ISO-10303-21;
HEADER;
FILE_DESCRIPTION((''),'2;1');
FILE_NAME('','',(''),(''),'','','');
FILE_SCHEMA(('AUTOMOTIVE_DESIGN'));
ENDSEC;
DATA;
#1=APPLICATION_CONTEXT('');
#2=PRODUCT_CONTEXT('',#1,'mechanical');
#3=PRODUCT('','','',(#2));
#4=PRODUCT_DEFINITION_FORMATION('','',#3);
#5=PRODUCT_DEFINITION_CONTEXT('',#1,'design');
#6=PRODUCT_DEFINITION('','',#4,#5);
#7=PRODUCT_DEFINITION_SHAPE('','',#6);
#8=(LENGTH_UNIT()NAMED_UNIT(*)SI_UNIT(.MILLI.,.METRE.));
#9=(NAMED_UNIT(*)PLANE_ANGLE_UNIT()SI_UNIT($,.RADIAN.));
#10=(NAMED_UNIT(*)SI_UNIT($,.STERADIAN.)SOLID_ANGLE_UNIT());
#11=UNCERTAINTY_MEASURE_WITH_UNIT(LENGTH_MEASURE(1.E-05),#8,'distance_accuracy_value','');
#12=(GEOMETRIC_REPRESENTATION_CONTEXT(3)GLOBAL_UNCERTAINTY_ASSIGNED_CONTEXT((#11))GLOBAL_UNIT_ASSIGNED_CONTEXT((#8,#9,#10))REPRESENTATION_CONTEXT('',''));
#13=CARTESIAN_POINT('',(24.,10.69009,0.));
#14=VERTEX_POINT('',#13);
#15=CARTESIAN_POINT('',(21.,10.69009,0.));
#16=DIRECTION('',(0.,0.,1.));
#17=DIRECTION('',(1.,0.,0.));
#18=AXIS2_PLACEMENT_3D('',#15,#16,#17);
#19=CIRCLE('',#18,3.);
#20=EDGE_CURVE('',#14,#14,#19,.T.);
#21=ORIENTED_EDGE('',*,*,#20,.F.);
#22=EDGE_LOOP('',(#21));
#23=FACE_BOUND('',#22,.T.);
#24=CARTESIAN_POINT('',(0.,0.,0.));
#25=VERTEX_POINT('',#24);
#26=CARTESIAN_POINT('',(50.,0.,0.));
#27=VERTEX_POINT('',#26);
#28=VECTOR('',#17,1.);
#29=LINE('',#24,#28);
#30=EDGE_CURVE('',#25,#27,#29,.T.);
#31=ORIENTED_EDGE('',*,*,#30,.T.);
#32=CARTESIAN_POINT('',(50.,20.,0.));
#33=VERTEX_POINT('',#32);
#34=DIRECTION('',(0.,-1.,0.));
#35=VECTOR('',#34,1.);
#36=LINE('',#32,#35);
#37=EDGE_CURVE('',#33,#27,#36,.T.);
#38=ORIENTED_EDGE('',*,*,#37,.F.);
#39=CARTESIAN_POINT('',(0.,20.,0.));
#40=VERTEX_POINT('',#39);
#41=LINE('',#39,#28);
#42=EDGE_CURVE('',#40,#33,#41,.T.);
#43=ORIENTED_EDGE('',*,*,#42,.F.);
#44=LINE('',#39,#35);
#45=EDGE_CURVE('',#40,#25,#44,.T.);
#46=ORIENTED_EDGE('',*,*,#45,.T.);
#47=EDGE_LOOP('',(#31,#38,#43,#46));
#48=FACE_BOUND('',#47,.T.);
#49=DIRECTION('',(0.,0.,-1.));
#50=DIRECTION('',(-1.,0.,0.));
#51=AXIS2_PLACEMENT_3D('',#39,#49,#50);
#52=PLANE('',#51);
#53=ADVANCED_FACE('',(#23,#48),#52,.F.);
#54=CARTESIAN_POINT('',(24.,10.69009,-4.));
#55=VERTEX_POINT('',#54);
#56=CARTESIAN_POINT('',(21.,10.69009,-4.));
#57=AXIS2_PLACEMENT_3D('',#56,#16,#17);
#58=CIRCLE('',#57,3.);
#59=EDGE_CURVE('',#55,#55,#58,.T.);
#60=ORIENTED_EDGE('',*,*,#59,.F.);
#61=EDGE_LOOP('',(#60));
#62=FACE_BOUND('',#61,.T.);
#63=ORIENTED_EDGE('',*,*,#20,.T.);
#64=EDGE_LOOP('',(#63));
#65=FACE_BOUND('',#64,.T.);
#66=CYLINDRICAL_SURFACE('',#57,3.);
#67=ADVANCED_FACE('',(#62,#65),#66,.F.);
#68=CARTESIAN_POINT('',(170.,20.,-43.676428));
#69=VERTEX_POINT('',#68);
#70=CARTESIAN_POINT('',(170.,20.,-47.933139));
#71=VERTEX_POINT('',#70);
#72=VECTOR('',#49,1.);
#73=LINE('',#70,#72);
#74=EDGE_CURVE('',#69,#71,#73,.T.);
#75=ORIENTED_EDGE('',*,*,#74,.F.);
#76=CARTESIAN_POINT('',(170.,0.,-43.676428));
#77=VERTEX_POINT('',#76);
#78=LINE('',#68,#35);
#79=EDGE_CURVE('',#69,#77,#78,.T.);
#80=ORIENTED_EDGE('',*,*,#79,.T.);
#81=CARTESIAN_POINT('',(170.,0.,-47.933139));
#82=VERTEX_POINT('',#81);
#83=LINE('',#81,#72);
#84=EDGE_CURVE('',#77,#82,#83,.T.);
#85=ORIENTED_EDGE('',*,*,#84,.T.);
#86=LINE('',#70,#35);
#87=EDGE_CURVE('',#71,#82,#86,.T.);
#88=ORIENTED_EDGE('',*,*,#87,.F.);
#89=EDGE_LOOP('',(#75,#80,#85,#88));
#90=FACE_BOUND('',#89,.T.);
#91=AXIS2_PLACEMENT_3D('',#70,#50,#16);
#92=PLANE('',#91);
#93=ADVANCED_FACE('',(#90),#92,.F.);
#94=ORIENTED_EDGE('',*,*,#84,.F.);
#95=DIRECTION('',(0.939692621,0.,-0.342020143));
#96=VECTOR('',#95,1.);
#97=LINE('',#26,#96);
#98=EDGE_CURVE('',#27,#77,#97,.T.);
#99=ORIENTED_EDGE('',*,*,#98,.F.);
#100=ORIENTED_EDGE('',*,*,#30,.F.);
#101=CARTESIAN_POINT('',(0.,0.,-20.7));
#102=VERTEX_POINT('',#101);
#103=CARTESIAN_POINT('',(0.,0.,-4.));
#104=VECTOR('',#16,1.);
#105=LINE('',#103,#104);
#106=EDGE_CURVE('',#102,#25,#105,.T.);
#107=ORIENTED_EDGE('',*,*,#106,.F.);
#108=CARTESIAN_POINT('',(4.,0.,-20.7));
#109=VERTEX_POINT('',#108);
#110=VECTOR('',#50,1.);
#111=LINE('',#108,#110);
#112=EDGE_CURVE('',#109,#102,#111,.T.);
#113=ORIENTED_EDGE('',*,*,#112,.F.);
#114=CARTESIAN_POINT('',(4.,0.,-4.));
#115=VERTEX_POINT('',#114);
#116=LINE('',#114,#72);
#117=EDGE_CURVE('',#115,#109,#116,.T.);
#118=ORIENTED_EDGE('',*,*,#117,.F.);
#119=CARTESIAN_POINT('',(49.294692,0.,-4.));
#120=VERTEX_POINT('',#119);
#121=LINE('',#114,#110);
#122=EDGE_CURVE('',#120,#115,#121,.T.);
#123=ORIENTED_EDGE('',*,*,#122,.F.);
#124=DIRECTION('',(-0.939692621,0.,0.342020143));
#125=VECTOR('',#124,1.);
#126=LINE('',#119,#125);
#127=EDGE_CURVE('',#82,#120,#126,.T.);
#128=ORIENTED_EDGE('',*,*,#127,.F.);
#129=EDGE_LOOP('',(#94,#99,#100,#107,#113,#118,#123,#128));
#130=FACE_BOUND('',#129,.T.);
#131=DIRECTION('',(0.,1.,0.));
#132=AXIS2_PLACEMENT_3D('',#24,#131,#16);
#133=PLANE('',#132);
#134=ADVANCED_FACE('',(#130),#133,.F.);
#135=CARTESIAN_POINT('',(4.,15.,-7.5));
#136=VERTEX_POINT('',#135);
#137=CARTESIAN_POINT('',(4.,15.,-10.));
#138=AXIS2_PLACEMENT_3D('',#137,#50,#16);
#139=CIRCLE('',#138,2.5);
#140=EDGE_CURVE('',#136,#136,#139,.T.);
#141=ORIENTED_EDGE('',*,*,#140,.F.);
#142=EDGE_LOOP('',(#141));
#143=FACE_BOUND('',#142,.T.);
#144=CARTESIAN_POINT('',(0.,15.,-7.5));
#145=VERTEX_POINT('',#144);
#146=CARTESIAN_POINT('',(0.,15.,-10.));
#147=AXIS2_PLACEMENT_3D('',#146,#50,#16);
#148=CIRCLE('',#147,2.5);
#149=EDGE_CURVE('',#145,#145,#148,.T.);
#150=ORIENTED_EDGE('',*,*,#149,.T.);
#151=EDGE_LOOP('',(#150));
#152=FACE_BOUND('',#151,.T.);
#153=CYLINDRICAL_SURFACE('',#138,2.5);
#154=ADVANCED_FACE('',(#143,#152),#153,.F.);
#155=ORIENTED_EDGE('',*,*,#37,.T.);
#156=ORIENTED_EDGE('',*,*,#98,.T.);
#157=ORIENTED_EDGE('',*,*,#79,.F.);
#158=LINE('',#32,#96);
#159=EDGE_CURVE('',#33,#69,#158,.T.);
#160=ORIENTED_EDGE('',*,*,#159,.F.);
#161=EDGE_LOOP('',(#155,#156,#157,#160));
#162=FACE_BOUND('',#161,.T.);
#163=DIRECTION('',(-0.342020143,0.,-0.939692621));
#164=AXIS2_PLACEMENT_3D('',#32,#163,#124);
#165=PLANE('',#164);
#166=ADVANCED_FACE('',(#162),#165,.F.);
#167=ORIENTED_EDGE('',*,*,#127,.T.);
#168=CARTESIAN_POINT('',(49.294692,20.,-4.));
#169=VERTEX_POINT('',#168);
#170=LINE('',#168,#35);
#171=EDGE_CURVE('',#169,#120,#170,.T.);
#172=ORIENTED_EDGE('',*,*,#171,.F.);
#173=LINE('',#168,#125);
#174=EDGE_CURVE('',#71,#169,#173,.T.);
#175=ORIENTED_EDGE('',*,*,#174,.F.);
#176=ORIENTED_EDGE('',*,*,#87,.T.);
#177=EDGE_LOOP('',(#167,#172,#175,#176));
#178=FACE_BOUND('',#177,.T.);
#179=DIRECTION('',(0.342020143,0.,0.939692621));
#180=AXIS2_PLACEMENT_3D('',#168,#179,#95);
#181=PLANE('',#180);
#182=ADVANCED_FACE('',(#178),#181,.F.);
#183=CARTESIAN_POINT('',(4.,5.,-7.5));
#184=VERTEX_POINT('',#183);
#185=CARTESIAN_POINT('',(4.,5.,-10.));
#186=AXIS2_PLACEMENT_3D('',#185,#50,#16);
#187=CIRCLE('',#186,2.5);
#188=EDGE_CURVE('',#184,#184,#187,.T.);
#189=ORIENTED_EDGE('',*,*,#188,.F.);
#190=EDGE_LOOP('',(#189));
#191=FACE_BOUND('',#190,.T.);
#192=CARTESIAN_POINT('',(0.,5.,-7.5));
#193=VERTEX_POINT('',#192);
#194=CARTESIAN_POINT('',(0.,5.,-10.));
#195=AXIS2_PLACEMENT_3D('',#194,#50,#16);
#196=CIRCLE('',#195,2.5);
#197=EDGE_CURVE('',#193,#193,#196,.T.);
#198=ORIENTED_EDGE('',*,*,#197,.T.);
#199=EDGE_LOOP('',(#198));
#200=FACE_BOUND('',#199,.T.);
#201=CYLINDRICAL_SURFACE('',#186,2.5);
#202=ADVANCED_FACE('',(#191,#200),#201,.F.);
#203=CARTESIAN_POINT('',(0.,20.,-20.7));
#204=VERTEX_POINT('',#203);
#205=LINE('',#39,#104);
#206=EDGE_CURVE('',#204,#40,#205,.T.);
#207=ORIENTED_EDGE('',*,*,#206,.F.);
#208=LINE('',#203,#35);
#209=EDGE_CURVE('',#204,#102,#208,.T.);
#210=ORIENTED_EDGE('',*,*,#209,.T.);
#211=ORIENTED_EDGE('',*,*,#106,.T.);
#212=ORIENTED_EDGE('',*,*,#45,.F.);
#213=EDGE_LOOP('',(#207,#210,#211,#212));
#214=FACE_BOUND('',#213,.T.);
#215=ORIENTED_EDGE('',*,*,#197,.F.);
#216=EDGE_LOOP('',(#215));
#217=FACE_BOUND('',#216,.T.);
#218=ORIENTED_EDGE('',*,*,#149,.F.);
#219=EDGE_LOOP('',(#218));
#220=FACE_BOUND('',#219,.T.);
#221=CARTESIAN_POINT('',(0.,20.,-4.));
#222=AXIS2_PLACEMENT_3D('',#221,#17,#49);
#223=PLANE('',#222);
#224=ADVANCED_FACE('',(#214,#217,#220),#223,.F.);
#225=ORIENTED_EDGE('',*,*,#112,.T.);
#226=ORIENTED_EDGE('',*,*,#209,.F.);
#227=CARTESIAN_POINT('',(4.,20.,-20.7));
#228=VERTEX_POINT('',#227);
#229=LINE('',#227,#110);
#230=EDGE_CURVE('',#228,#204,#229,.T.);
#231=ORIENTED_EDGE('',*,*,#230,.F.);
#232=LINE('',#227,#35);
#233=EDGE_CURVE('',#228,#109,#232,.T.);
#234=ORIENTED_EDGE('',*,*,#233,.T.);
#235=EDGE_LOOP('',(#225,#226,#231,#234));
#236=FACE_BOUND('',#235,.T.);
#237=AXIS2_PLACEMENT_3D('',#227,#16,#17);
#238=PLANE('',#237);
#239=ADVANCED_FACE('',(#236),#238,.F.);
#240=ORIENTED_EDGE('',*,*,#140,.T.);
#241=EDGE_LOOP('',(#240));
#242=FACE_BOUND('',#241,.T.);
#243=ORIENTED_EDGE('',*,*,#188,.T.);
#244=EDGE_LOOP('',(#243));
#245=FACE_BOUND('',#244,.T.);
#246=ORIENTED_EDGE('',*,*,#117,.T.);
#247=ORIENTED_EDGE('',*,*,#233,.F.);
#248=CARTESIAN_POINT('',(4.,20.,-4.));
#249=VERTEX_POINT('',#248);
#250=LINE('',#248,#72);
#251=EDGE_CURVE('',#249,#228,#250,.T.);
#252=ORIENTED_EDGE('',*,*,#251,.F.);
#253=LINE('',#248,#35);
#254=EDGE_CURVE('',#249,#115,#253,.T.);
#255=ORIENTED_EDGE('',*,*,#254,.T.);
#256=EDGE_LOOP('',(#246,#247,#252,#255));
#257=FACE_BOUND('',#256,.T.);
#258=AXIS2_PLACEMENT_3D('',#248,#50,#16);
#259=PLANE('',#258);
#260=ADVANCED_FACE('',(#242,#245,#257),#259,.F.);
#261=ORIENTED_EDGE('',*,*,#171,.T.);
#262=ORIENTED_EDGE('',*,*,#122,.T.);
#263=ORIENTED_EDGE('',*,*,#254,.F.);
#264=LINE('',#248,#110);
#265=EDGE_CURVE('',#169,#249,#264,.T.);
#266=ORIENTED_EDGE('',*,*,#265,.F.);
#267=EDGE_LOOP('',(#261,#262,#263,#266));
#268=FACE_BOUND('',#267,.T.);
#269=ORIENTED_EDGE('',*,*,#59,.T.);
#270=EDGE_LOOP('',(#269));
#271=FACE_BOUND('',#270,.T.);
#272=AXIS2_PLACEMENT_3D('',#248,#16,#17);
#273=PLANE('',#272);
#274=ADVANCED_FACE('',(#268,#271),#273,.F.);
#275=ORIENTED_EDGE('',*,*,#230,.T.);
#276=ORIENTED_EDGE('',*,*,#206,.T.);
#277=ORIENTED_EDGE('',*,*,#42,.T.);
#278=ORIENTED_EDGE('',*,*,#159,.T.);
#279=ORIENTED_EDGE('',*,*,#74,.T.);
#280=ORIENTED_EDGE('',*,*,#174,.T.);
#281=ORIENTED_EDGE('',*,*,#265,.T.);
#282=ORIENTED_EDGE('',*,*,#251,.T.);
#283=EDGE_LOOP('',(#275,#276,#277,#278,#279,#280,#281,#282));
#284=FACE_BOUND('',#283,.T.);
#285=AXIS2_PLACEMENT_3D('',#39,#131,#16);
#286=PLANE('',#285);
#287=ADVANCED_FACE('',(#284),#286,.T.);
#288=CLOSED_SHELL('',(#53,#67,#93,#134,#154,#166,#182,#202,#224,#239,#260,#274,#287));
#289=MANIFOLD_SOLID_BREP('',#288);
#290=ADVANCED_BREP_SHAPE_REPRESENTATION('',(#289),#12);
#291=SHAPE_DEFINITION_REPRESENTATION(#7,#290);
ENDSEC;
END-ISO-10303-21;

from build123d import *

# Parameters (mm, degrees)
EXTRUDE_1_DEPTH     = 20
SKETCH_2_R          = 2.5
CUT_EXTRUDE_1_DEPTH = 4
SKETCH_3_R          = 3
CUT_EXTRUDE_2_DEPTH = 4


with BuildPart() as part:
    # Эскиз1 → Бобышка-Вытянуть1 (new body)
    with BuildSketch(Plane(origin=(0, 0, 0), x_dir=(1, 0, 0), z_dir=(0, 1, 0))):
        Polygon((50, 0), (170, 43.676428112), (170, 47.933139202), (49.294692077, 4), (4, 4), (4, 20.7), (0, 20.7), (0, 4), (0, 0), align=None)
    extrude(amount=EXTRUDE_1_DEPTH)

    # Эскиз2 → Вырез-Вытянуть1 (cut)
    with BuildSketch(Plane.ZY):
        with Locations((-10, 5)):
            Circle(SKETCH_2_R)
        with Locations((-10, 15)):
            Circle(SKETCH_2_R)
    extrude(amount=-CUT_EXTRUDE_1_DEPTH, mode=Mode.SUBTRACT)

    # Эскиз3 → Вырез-Вытянуть2 (cut)
    with BuildSketch(Plane.XY):
        with Locations((21, 10.690090477)):
            Circle(SKETCH_3_R)
    extrude(amount=-CUT_EXTRUDE_2_DEPTH, mode=Mode.SUBTRACT)


solid = part.part
